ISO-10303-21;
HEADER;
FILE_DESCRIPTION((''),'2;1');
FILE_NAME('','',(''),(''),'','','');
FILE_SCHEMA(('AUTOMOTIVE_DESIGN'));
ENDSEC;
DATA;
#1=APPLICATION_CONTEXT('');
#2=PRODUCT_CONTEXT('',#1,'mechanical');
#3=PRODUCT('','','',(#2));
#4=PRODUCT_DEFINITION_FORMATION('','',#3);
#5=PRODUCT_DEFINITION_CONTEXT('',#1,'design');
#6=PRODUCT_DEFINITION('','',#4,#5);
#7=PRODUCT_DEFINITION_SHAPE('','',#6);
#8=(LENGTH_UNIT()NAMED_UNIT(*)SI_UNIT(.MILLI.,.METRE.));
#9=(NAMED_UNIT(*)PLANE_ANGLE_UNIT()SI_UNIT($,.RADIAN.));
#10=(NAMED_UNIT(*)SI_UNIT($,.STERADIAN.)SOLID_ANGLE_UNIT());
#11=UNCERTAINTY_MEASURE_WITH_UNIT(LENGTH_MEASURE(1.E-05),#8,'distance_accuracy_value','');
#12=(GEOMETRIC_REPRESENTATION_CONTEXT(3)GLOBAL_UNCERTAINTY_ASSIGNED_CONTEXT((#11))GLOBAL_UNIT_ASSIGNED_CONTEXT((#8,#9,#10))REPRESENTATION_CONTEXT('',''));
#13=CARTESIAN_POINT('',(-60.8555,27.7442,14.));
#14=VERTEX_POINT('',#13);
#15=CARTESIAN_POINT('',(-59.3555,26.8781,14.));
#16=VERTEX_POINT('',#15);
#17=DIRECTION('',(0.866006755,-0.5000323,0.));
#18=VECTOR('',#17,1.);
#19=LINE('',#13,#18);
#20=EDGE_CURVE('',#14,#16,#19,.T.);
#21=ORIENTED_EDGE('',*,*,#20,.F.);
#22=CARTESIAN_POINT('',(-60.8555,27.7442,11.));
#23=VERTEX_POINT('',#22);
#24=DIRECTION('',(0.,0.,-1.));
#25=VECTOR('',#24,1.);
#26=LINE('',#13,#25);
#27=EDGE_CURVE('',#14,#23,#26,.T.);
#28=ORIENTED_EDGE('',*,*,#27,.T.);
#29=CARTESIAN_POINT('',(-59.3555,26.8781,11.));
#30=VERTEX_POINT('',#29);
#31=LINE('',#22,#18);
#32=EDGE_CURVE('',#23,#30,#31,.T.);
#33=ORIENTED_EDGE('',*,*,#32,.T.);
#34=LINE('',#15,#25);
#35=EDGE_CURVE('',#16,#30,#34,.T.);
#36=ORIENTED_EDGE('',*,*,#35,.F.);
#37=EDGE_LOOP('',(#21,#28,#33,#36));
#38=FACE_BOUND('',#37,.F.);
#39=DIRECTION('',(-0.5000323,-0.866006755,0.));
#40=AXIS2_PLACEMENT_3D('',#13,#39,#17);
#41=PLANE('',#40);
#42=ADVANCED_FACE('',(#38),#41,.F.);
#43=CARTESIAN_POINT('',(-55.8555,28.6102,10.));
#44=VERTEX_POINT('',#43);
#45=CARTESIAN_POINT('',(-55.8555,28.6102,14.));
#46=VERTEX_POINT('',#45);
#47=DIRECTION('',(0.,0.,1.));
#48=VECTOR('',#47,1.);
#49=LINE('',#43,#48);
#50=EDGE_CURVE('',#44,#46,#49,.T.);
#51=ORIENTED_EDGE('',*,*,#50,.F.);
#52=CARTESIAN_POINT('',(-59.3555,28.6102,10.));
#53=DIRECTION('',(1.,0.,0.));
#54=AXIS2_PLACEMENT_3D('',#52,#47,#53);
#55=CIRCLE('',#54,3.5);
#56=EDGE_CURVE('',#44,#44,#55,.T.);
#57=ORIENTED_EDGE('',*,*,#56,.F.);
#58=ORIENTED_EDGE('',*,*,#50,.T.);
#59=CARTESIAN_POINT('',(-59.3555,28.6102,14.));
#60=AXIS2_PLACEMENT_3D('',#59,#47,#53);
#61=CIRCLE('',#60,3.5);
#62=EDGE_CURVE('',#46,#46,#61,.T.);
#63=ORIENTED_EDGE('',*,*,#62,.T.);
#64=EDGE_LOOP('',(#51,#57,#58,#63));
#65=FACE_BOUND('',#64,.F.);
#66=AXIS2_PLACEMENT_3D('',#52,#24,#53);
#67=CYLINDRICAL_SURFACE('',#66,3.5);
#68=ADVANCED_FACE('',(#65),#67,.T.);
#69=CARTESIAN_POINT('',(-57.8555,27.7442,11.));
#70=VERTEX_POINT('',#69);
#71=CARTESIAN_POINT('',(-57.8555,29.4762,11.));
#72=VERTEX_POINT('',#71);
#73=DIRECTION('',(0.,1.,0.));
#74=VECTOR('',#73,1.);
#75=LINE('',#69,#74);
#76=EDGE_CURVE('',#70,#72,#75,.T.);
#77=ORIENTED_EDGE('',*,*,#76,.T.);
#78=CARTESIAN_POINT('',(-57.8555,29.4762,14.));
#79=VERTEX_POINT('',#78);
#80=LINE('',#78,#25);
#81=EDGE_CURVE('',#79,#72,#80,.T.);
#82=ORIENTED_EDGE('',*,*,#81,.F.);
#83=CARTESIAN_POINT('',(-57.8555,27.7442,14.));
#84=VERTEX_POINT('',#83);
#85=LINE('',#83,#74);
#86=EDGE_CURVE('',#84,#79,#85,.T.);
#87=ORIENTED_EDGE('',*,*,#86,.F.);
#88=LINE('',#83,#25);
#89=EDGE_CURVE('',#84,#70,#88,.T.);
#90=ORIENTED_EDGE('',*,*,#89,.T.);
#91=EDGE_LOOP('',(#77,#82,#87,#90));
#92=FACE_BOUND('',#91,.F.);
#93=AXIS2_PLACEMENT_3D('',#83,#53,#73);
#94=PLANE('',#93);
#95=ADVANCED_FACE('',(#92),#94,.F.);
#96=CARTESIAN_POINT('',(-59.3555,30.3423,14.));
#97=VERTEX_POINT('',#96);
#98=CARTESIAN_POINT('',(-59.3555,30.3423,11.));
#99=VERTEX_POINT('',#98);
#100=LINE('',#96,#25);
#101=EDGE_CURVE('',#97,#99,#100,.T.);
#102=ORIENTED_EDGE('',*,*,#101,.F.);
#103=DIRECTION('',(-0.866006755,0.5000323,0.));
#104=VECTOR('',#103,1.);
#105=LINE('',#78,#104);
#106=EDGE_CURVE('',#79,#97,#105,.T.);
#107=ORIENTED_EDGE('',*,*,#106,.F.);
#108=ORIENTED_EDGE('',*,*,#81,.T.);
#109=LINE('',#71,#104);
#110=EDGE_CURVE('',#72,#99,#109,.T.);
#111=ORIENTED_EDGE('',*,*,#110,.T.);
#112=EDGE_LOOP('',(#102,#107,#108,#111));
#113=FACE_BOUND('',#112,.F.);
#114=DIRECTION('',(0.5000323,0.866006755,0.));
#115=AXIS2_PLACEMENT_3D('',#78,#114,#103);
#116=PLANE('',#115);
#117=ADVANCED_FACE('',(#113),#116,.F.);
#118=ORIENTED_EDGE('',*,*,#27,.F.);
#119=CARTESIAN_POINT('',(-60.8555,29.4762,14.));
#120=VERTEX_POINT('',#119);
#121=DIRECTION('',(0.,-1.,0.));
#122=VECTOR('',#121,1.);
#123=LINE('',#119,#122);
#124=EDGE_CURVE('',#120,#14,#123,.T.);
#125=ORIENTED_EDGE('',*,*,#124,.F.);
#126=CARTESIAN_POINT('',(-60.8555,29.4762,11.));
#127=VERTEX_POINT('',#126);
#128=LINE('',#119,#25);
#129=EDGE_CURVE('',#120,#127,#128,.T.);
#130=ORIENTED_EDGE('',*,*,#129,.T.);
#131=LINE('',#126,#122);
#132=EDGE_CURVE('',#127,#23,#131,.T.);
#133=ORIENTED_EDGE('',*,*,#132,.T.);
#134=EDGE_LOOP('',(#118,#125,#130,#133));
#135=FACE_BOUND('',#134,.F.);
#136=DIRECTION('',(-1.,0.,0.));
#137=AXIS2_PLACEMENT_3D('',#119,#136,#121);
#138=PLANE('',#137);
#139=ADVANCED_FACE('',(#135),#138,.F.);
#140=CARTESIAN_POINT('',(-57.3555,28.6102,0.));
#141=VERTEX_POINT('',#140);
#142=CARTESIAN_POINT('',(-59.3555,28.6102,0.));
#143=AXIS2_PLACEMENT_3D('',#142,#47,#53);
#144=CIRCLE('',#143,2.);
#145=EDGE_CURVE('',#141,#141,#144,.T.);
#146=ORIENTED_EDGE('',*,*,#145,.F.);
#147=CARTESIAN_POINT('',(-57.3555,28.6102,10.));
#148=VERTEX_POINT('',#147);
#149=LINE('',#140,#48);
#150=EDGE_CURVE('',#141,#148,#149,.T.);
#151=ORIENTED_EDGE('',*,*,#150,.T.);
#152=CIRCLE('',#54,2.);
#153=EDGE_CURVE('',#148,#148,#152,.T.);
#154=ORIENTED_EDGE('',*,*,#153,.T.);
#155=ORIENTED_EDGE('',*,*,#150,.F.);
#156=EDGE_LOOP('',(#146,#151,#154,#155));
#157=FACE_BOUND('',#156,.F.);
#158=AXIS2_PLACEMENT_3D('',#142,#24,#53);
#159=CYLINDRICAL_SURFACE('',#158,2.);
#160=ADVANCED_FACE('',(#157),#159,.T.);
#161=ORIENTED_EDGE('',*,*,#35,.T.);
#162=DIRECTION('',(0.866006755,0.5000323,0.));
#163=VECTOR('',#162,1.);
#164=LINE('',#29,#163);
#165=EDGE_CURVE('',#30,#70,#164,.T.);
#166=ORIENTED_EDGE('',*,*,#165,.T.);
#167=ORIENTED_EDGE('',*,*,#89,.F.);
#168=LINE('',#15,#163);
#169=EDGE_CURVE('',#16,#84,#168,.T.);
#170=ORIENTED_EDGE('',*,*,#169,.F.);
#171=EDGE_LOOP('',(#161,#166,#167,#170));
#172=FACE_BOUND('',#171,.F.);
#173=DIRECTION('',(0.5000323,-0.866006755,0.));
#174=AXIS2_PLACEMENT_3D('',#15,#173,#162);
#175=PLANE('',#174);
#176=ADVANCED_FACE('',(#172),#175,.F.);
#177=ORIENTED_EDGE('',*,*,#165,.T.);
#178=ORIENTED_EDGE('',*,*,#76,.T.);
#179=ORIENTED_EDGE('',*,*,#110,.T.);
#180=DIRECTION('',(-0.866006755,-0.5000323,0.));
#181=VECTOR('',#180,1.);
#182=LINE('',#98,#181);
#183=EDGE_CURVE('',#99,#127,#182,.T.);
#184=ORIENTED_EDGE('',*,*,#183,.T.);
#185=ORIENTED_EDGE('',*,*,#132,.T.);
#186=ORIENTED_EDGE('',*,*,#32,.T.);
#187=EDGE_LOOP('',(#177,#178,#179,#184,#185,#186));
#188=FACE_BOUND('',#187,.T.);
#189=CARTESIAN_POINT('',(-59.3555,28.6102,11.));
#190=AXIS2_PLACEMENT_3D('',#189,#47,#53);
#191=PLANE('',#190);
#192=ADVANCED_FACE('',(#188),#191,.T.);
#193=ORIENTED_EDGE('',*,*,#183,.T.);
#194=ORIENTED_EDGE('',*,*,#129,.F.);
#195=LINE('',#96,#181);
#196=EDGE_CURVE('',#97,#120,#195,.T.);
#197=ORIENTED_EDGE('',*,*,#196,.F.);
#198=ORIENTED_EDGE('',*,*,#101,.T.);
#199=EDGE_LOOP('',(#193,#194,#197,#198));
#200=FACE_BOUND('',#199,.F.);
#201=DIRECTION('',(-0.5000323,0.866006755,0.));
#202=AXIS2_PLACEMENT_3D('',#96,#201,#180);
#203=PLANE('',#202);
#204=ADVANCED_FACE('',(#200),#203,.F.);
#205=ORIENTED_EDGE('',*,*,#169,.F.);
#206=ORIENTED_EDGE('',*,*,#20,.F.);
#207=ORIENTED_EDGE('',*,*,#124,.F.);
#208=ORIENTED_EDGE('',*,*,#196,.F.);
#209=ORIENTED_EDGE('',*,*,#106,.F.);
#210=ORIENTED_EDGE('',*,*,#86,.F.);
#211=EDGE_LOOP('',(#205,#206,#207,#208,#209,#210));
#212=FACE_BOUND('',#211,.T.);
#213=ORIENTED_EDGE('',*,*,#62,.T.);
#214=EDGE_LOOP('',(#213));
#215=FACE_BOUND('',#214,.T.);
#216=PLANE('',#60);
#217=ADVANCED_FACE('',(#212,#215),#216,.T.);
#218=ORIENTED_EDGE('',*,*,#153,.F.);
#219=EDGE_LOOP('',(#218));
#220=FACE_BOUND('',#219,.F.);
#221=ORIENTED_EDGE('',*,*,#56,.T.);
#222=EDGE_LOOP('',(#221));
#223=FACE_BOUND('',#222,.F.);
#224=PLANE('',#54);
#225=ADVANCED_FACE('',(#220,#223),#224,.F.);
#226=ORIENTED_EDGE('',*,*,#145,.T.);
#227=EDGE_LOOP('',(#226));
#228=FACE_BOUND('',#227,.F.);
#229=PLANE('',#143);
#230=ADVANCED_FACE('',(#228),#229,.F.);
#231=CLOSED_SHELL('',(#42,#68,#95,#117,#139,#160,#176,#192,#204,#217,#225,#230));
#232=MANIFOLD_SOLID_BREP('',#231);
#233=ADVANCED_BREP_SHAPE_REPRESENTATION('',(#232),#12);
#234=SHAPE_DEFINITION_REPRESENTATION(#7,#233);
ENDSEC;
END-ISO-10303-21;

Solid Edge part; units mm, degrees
sketch "Sketch1" plane through (0, 0, 0) normal (0, 0, 1) x (1, 0, 0)
  circle A0 centre (-59.3555, 28.6102) radius 2
  dimension "D1" = 4
extrude "Protrusion1" add sketch "Sketch1" along normal blind 10
sketch "Sketch2" plane through (-59.3555, 28.6102, 10) normal (0, 0, 1) x (1, 0, 0)
  circle A0 centre (0, 0) radius 3.5
  dimension "D1" = 7
extrude "kopdia7x4" add sketch "Sketch2" along normal blind 4
cosmetic_thread "Thread1" size "M4"
sketch "Sketch3" plane through (-59.3555, 28.6102, 14) normal (0, 0, 1) x (1, 0, 0)
  line L0 (-1.5, 0.866) -> (-1.5, -0.866)
  line L1 (-1.5, -0.866) -> (0, -1.7321)
  line L2 (0, -1.7321) -> (1.5, -0.866)
  line L3 (1.5, -0.866) -> (1.5, 0.866)
  line L4 (1.5, 0.866) -> (0, 1.7321)
  line L5 (0, 1.7321) -> (-1.5, 0.866)
  dimension "D1" = 3
extrude "zeskant" cut sketch "Sketch3" against normal blind 3
